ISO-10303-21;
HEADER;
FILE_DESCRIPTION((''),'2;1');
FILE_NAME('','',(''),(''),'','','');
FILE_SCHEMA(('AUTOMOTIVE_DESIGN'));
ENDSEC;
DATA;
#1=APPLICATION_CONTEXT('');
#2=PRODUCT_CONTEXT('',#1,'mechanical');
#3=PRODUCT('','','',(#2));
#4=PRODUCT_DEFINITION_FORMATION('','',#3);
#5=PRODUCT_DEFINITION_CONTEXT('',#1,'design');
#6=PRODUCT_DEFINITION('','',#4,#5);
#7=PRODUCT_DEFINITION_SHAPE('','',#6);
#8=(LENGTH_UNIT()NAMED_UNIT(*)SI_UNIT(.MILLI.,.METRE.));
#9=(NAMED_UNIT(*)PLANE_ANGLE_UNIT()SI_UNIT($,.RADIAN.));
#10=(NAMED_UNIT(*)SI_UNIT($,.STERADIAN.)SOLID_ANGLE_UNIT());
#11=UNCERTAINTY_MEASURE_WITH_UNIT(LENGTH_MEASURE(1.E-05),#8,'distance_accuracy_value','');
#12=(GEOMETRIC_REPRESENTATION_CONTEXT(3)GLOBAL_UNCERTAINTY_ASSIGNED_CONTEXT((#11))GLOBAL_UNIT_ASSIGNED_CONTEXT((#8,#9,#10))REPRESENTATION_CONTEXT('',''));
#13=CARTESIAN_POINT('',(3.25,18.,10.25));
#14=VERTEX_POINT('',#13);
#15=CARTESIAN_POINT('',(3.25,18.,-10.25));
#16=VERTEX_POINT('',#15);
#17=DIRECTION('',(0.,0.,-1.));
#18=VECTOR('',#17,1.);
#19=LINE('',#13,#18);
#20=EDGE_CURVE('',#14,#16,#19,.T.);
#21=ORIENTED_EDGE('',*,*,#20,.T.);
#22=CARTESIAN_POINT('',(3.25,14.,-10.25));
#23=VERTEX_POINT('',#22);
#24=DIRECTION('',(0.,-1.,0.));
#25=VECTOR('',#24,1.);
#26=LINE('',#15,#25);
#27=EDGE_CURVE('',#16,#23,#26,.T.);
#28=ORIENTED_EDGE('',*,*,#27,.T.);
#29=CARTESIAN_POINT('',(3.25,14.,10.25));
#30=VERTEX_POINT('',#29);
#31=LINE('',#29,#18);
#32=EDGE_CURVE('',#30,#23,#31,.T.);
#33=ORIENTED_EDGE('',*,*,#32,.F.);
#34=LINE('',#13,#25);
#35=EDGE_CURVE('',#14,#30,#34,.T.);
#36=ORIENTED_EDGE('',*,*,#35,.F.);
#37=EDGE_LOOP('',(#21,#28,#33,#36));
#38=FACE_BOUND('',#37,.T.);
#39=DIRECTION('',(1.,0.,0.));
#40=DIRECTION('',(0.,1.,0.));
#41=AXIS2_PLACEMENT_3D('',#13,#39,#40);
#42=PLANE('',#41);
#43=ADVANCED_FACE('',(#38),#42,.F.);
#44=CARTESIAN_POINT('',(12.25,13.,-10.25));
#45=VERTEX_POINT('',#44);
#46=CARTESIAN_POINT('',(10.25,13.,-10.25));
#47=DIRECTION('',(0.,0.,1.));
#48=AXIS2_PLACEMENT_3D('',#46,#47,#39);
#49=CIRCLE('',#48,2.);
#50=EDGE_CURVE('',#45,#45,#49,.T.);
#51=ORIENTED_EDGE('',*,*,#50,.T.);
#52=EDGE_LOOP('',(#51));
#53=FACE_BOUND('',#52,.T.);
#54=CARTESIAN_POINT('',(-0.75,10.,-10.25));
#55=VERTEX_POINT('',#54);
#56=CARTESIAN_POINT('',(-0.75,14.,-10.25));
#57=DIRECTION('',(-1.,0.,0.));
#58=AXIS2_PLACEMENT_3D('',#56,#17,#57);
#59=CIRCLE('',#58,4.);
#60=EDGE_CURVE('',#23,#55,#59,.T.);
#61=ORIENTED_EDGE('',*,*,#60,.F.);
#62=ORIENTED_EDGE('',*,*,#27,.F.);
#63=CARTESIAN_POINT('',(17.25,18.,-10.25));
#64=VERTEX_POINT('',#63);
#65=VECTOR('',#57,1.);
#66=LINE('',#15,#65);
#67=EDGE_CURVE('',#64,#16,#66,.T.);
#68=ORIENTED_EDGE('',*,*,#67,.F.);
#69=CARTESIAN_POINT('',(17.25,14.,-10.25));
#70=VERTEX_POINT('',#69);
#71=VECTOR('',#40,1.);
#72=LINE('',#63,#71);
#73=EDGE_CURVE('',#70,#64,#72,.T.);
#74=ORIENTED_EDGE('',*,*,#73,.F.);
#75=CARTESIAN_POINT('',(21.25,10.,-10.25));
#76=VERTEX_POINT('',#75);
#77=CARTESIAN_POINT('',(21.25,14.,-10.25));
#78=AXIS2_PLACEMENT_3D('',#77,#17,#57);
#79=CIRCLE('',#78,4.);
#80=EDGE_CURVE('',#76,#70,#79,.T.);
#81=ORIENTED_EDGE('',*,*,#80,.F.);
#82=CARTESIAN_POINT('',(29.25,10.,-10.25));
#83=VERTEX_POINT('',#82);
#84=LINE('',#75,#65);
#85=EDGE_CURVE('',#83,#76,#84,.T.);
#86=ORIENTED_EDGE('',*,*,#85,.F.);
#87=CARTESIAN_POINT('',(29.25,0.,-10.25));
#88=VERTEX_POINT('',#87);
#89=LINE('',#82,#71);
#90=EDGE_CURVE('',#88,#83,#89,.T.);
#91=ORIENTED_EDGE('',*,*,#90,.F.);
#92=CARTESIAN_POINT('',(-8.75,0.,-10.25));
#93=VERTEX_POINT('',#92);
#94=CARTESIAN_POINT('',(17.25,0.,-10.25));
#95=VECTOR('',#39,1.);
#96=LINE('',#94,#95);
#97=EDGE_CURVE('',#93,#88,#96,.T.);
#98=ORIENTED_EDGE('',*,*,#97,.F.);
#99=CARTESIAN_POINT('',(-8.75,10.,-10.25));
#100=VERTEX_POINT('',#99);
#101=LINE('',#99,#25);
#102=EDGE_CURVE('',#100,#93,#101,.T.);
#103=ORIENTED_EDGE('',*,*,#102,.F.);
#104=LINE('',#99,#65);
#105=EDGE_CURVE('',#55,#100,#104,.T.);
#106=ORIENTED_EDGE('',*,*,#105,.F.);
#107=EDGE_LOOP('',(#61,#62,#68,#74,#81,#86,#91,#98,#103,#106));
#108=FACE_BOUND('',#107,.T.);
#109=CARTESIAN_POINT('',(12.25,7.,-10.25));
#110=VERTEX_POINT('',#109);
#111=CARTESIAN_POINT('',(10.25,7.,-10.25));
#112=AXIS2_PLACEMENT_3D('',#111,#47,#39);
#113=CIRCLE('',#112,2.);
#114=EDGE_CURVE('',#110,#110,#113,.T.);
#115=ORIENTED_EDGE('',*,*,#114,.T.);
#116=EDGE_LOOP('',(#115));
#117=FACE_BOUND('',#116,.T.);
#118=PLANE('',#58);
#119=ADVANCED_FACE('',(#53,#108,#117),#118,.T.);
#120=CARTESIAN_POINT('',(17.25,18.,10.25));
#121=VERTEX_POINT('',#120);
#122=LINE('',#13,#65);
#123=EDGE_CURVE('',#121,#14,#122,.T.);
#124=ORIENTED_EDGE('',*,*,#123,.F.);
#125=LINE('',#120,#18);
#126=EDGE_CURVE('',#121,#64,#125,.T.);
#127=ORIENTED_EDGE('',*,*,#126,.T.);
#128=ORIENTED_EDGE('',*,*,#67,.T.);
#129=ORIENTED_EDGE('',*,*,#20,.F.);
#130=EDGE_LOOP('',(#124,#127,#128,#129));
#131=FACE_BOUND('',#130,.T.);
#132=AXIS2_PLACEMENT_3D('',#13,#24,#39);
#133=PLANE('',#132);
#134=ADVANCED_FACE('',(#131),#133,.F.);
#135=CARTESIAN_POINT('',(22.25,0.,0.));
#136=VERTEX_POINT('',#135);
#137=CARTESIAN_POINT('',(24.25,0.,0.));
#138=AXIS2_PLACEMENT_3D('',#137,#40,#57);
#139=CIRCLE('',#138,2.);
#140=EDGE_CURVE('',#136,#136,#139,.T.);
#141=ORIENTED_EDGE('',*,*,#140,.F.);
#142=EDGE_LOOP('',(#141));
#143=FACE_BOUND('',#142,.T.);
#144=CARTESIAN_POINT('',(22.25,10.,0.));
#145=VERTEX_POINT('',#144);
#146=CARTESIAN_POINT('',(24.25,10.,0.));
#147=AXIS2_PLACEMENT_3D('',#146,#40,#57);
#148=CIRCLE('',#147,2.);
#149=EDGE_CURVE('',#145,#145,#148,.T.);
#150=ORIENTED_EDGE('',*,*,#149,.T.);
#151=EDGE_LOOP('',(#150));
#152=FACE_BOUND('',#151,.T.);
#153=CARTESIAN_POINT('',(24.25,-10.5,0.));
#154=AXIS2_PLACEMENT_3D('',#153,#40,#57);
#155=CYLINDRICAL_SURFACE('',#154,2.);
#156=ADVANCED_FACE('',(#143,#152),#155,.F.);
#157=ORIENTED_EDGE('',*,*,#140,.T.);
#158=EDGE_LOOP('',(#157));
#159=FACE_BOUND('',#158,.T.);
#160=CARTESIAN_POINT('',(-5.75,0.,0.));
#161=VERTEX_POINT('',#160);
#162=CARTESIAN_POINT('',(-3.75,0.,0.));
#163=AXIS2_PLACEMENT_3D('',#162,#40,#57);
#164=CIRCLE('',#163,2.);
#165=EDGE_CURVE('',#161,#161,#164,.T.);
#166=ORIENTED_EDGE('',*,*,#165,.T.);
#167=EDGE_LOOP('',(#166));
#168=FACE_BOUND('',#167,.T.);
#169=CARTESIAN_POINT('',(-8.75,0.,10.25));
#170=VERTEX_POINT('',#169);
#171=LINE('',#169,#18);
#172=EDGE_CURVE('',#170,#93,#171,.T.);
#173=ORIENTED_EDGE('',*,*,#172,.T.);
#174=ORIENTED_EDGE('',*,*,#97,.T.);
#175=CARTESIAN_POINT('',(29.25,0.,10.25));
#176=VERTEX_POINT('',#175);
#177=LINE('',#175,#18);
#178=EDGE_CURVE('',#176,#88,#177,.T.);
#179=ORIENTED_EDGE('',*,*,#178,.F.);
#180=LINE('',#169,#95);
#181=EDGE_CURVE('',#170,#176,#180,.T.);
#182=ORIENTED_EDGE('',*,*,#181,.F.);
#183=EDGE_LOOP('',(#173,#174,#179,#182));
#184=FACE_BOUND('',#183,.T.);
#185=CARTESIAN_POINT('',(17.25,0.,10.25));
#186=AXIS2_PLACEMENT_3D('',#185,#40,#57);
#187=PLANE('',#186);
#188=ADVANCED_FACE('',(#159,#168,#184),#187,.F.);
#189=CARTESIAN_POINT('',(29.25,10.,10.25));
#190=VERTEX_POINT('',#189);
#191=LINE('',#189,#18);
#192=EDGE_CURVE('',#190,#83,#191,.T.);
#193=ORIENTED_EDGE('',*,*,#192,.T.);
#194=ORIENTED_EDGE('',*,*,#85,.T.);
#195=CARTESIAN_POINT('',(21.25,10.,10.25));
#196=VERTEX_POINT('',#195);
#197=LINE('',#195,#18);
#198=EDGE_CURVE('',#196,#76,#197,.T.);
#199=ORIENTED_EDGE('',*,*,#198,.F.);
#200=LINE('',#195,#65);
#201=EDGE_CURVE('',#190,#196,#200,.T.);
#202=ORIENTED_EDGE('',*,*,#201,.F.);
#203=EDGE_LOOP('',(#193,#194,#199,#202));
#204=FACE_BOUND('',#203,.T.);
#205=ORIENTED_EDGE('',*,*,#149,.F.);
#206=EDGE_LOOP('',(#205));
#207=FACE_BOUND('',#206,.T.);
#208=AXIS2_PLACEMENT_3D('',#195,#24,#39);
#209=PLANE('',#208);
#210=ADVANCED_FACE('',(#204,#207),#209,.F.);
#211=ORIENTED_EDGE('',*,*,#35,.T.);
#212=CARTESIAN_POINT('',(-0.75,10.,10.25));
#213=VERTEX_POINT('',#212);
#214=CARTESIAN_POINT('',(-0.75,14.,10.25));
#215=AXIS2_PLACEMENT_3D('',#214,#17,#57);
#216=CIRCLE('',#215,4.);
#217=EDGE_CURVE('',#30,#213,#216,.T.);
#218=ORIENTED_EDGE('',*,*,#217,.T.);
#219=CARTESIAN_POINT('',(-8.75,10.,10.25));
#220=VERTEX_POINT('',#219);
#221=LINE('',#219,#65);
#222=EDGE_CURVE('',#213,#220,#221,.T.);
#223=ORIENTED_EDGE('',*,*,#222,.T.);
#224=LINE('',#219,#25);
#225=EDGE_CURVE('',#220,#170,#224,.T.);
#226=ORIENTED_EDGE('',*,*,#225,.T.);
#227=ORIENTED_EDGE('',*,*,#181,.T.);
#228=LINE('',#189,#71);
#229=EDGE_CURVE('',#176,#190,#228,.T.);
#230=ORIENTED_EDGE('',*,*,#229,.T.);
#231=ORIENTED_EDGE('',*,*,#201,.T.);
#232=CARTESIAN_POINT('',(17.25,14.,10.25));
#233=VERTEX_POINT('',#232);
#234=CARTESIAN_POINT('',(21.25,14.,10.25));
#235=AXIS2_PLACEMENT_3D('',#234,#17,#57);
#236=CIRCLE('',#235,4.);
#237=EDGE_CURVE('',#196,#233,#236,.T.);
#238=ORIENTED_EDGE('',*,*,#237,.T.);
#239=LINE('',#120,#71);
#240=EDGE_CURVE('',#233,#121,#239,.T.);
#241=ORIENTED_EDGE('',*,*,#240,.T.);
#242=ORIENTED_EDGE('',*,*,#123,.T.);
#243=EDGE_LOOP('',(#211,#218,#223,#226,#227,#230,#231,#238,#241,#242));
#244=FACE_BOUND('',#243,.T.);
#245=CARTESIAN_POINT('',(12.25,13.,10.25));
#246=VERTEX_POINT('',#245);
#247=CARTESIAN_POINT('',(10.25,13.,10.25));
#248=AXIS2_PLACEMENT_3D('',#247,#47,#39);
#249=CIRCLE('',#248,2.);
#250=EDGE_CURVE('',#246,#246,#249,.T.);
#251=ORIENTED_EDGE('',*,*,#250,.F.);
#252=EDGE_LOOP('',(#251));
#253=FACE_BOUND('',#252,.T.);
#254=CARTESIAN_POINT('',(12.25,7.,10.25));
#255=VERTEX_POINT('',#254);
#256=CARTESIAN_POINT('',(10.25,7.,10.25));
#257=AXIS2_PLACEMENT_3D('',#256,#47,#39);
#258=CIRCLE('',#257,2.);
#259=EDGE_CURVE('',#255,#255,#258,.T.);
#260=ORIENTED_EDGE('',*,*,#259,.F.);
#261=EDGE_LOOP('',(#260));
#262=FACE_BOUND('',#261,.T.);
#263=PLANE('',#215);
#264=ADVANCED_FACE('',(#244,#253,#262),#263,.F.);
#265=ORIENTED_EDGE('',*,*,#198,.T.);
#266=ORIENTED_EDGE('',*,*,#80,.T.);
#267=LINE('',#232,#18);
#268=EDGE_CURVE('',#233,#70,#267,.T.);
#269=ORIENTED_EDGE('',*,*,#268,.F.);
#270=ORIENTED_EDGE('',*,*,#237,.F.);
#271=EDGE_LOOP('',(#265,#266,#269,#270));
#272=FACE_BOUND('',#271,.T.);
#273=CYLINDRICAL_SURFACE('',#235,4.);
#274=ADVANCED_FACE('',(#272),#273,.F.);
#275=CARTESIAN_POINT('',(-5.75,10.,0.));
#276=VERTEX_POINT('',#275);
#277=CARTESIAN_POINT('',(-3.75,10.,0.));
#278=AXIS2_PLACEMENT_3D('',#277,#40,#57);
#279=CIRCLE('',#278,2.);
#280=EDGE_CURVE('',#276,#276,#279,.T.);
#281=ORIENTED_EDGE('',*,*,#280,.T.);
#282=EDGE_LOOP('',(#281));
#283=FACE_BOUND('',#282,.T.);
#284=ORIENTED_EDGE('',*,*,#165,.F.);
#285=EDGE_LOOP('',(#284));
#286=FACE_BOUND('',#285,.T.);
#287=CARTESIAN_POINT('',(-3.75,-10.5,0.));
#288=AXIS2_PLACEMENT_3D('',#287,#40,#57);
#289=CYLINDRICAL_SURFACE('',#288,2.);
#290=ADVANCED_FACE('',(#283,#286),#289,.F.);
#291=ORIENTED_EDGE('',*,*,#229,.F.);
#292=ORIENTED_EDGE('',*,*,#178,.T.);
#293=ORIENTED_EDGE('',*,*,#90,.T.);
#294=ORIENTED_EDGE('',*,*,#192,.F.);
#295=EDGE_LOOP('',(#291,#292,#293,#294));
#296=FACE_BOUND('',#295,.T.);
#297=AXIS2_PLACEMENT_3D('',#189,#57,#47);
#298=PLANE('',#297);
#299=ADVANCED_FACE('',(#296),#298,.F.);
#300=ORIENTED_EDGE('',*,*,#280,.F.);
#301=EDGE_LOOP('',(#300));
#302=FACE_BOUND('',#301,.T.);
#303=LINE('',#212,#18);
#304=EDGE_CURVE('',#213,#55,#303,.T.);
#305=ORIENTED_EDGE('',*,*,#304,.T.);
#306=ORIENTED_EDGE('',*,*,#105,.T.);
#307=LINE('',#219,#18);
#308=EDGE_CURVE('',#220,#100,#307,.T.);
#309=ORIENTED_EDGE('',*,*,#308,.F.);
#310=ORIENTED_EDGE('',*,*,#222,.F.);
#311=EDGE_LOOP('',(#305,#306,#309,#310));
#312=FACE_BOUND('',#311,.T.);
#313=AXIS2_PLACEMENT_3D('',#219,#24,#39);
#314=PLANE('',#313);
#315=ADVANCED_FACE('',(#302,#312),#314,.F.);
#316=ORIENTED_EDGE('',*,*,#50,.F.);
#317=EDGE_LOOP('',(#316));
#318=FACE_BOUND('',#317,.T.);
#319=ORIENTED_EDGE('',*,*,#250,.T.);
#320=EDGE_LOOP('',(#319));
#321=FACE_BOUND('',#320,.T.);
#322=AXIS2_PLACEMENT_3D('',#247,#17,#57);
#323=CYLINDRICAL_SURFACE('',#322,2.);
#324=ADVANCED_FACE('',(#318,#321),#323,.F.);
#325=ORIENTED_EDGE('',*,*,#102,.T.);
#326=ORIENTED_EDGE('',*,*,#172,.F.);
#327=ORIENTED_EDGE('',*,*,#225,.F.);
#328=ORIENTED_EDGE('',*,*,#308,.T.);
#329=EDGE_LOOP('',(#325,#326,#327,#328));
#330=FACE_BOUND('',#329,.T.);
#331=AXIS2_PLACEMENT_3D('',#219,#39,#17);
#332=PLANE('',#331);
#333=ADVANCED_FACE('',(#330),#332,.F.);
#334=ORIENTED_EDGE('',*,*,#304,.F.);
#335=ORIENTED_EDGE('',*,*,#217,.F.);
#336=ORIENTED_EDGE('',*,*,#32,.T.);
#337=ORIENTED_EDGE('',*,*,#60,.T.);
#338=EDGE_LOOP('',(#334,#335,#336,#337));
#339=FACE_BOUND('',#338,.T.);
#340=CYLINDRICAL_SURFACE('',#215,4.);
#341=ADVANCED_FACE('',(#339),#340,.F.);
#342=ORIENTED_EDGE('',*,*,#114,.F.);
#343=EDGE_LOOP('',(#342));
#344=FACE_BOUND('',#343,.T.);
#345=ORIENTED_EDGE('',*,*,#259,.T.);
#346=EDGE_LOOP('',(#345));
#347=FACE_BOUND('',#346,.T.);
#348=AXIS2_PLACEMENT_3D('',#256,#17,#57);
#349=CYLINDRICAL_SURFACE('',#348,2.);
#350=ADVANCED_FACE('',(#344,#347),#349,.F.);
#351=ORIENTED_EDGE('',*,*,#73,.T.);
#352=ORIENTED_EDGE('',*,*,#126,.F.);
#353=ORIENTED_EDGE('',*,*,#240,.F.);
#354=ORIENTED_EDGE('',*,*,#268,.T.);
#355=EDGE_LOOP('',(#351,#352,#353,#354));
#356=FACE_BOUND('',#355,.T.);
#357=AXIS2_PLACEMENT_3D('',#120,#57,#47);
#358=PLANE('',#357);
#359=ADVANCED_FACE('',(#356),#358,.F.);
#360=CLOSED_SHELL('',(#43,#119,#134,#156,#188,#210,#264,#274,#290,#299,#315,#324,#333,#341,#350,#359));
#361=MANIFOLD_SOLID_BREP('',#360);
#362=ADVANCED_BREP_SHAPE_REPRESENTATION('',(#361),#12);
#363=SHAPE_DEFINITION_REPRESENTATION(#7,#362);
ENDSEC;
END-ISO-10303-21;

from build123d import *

# Parameters (mm, degrees)
SKETCH_1_R          = 2
EXTRUDE_1_DEPTH     = 20.5
SKETCH_2_R          = 2
CUT_EXTRUDE_1_DEPTH = 20.5
MOVE_BODY_1_ANGLE   = 90


with BuildPart() as part:
    # 草图1 → 凸台-拉伸1 (new body)
    with BuildSketch(Plane(origin=(0, 0, 0), x_dir=(0, 0, -1), z_dir=(1, 0, 0))):
        with BuildLine():
            Line((-7, 18), (7, 18))
            Line((7, 18), (7, 14))
            ThreePointArc((7, 14), (8.171572875, 11.171572875), (11, 10))
            Line((11, 10), (19, 10))
            Line((19, 10), (19, 0))
            Line((19, 0), (7, 0))
            Line((7, 0), (-7, 0))
            Line((-7, 0), (-19, 0))
            Line((-19, 0), (-19, 10))
            Line((-19, 10), (-11, 10))
            ThreePointArc((-11, 10), (-8.171572875, 11.171572875), (-7, 14))
            Line((-7, 14), (-7, 18))
        make_face()
        with Locations((0, 13)):
            Circle(SKETCH_1_R, mode=Mode.SUBTRACT)
        with Locations((0, 7)):
            Circle(SKETCH_1_R, mode=Mode.SUBTRACT)
    extrude(amount=EXTRUDE_1_DEPTH)

    # 草图2 → 切除-拉伸1 (cut)
    with BuildSketch(Plane(origin=(0, 10, 0), x_dir=(1, 0, 0), z_dir=(0, 1, 0))):
        with Locations(Location((10.25, 14, 0), (0, 0, 270))):
            Circle(SKETCH_2_R)
        with Locations(Location((10.25, -14, 0), (0, 0, 270))):
            Circle(SKETCH_2_R)
    extrude(amount=-CUT_EXTRUDE_1_DEPTH, mode=Mode.SUBTRACT)


with BuildPart() as part_1:
    # Move Body 1: moved
    add(part.part.rotate(Axis((10.25, 0, 0), (0, -1, 0)), MOVE_BODY_1_ANGLE))


solid = part_1.part
